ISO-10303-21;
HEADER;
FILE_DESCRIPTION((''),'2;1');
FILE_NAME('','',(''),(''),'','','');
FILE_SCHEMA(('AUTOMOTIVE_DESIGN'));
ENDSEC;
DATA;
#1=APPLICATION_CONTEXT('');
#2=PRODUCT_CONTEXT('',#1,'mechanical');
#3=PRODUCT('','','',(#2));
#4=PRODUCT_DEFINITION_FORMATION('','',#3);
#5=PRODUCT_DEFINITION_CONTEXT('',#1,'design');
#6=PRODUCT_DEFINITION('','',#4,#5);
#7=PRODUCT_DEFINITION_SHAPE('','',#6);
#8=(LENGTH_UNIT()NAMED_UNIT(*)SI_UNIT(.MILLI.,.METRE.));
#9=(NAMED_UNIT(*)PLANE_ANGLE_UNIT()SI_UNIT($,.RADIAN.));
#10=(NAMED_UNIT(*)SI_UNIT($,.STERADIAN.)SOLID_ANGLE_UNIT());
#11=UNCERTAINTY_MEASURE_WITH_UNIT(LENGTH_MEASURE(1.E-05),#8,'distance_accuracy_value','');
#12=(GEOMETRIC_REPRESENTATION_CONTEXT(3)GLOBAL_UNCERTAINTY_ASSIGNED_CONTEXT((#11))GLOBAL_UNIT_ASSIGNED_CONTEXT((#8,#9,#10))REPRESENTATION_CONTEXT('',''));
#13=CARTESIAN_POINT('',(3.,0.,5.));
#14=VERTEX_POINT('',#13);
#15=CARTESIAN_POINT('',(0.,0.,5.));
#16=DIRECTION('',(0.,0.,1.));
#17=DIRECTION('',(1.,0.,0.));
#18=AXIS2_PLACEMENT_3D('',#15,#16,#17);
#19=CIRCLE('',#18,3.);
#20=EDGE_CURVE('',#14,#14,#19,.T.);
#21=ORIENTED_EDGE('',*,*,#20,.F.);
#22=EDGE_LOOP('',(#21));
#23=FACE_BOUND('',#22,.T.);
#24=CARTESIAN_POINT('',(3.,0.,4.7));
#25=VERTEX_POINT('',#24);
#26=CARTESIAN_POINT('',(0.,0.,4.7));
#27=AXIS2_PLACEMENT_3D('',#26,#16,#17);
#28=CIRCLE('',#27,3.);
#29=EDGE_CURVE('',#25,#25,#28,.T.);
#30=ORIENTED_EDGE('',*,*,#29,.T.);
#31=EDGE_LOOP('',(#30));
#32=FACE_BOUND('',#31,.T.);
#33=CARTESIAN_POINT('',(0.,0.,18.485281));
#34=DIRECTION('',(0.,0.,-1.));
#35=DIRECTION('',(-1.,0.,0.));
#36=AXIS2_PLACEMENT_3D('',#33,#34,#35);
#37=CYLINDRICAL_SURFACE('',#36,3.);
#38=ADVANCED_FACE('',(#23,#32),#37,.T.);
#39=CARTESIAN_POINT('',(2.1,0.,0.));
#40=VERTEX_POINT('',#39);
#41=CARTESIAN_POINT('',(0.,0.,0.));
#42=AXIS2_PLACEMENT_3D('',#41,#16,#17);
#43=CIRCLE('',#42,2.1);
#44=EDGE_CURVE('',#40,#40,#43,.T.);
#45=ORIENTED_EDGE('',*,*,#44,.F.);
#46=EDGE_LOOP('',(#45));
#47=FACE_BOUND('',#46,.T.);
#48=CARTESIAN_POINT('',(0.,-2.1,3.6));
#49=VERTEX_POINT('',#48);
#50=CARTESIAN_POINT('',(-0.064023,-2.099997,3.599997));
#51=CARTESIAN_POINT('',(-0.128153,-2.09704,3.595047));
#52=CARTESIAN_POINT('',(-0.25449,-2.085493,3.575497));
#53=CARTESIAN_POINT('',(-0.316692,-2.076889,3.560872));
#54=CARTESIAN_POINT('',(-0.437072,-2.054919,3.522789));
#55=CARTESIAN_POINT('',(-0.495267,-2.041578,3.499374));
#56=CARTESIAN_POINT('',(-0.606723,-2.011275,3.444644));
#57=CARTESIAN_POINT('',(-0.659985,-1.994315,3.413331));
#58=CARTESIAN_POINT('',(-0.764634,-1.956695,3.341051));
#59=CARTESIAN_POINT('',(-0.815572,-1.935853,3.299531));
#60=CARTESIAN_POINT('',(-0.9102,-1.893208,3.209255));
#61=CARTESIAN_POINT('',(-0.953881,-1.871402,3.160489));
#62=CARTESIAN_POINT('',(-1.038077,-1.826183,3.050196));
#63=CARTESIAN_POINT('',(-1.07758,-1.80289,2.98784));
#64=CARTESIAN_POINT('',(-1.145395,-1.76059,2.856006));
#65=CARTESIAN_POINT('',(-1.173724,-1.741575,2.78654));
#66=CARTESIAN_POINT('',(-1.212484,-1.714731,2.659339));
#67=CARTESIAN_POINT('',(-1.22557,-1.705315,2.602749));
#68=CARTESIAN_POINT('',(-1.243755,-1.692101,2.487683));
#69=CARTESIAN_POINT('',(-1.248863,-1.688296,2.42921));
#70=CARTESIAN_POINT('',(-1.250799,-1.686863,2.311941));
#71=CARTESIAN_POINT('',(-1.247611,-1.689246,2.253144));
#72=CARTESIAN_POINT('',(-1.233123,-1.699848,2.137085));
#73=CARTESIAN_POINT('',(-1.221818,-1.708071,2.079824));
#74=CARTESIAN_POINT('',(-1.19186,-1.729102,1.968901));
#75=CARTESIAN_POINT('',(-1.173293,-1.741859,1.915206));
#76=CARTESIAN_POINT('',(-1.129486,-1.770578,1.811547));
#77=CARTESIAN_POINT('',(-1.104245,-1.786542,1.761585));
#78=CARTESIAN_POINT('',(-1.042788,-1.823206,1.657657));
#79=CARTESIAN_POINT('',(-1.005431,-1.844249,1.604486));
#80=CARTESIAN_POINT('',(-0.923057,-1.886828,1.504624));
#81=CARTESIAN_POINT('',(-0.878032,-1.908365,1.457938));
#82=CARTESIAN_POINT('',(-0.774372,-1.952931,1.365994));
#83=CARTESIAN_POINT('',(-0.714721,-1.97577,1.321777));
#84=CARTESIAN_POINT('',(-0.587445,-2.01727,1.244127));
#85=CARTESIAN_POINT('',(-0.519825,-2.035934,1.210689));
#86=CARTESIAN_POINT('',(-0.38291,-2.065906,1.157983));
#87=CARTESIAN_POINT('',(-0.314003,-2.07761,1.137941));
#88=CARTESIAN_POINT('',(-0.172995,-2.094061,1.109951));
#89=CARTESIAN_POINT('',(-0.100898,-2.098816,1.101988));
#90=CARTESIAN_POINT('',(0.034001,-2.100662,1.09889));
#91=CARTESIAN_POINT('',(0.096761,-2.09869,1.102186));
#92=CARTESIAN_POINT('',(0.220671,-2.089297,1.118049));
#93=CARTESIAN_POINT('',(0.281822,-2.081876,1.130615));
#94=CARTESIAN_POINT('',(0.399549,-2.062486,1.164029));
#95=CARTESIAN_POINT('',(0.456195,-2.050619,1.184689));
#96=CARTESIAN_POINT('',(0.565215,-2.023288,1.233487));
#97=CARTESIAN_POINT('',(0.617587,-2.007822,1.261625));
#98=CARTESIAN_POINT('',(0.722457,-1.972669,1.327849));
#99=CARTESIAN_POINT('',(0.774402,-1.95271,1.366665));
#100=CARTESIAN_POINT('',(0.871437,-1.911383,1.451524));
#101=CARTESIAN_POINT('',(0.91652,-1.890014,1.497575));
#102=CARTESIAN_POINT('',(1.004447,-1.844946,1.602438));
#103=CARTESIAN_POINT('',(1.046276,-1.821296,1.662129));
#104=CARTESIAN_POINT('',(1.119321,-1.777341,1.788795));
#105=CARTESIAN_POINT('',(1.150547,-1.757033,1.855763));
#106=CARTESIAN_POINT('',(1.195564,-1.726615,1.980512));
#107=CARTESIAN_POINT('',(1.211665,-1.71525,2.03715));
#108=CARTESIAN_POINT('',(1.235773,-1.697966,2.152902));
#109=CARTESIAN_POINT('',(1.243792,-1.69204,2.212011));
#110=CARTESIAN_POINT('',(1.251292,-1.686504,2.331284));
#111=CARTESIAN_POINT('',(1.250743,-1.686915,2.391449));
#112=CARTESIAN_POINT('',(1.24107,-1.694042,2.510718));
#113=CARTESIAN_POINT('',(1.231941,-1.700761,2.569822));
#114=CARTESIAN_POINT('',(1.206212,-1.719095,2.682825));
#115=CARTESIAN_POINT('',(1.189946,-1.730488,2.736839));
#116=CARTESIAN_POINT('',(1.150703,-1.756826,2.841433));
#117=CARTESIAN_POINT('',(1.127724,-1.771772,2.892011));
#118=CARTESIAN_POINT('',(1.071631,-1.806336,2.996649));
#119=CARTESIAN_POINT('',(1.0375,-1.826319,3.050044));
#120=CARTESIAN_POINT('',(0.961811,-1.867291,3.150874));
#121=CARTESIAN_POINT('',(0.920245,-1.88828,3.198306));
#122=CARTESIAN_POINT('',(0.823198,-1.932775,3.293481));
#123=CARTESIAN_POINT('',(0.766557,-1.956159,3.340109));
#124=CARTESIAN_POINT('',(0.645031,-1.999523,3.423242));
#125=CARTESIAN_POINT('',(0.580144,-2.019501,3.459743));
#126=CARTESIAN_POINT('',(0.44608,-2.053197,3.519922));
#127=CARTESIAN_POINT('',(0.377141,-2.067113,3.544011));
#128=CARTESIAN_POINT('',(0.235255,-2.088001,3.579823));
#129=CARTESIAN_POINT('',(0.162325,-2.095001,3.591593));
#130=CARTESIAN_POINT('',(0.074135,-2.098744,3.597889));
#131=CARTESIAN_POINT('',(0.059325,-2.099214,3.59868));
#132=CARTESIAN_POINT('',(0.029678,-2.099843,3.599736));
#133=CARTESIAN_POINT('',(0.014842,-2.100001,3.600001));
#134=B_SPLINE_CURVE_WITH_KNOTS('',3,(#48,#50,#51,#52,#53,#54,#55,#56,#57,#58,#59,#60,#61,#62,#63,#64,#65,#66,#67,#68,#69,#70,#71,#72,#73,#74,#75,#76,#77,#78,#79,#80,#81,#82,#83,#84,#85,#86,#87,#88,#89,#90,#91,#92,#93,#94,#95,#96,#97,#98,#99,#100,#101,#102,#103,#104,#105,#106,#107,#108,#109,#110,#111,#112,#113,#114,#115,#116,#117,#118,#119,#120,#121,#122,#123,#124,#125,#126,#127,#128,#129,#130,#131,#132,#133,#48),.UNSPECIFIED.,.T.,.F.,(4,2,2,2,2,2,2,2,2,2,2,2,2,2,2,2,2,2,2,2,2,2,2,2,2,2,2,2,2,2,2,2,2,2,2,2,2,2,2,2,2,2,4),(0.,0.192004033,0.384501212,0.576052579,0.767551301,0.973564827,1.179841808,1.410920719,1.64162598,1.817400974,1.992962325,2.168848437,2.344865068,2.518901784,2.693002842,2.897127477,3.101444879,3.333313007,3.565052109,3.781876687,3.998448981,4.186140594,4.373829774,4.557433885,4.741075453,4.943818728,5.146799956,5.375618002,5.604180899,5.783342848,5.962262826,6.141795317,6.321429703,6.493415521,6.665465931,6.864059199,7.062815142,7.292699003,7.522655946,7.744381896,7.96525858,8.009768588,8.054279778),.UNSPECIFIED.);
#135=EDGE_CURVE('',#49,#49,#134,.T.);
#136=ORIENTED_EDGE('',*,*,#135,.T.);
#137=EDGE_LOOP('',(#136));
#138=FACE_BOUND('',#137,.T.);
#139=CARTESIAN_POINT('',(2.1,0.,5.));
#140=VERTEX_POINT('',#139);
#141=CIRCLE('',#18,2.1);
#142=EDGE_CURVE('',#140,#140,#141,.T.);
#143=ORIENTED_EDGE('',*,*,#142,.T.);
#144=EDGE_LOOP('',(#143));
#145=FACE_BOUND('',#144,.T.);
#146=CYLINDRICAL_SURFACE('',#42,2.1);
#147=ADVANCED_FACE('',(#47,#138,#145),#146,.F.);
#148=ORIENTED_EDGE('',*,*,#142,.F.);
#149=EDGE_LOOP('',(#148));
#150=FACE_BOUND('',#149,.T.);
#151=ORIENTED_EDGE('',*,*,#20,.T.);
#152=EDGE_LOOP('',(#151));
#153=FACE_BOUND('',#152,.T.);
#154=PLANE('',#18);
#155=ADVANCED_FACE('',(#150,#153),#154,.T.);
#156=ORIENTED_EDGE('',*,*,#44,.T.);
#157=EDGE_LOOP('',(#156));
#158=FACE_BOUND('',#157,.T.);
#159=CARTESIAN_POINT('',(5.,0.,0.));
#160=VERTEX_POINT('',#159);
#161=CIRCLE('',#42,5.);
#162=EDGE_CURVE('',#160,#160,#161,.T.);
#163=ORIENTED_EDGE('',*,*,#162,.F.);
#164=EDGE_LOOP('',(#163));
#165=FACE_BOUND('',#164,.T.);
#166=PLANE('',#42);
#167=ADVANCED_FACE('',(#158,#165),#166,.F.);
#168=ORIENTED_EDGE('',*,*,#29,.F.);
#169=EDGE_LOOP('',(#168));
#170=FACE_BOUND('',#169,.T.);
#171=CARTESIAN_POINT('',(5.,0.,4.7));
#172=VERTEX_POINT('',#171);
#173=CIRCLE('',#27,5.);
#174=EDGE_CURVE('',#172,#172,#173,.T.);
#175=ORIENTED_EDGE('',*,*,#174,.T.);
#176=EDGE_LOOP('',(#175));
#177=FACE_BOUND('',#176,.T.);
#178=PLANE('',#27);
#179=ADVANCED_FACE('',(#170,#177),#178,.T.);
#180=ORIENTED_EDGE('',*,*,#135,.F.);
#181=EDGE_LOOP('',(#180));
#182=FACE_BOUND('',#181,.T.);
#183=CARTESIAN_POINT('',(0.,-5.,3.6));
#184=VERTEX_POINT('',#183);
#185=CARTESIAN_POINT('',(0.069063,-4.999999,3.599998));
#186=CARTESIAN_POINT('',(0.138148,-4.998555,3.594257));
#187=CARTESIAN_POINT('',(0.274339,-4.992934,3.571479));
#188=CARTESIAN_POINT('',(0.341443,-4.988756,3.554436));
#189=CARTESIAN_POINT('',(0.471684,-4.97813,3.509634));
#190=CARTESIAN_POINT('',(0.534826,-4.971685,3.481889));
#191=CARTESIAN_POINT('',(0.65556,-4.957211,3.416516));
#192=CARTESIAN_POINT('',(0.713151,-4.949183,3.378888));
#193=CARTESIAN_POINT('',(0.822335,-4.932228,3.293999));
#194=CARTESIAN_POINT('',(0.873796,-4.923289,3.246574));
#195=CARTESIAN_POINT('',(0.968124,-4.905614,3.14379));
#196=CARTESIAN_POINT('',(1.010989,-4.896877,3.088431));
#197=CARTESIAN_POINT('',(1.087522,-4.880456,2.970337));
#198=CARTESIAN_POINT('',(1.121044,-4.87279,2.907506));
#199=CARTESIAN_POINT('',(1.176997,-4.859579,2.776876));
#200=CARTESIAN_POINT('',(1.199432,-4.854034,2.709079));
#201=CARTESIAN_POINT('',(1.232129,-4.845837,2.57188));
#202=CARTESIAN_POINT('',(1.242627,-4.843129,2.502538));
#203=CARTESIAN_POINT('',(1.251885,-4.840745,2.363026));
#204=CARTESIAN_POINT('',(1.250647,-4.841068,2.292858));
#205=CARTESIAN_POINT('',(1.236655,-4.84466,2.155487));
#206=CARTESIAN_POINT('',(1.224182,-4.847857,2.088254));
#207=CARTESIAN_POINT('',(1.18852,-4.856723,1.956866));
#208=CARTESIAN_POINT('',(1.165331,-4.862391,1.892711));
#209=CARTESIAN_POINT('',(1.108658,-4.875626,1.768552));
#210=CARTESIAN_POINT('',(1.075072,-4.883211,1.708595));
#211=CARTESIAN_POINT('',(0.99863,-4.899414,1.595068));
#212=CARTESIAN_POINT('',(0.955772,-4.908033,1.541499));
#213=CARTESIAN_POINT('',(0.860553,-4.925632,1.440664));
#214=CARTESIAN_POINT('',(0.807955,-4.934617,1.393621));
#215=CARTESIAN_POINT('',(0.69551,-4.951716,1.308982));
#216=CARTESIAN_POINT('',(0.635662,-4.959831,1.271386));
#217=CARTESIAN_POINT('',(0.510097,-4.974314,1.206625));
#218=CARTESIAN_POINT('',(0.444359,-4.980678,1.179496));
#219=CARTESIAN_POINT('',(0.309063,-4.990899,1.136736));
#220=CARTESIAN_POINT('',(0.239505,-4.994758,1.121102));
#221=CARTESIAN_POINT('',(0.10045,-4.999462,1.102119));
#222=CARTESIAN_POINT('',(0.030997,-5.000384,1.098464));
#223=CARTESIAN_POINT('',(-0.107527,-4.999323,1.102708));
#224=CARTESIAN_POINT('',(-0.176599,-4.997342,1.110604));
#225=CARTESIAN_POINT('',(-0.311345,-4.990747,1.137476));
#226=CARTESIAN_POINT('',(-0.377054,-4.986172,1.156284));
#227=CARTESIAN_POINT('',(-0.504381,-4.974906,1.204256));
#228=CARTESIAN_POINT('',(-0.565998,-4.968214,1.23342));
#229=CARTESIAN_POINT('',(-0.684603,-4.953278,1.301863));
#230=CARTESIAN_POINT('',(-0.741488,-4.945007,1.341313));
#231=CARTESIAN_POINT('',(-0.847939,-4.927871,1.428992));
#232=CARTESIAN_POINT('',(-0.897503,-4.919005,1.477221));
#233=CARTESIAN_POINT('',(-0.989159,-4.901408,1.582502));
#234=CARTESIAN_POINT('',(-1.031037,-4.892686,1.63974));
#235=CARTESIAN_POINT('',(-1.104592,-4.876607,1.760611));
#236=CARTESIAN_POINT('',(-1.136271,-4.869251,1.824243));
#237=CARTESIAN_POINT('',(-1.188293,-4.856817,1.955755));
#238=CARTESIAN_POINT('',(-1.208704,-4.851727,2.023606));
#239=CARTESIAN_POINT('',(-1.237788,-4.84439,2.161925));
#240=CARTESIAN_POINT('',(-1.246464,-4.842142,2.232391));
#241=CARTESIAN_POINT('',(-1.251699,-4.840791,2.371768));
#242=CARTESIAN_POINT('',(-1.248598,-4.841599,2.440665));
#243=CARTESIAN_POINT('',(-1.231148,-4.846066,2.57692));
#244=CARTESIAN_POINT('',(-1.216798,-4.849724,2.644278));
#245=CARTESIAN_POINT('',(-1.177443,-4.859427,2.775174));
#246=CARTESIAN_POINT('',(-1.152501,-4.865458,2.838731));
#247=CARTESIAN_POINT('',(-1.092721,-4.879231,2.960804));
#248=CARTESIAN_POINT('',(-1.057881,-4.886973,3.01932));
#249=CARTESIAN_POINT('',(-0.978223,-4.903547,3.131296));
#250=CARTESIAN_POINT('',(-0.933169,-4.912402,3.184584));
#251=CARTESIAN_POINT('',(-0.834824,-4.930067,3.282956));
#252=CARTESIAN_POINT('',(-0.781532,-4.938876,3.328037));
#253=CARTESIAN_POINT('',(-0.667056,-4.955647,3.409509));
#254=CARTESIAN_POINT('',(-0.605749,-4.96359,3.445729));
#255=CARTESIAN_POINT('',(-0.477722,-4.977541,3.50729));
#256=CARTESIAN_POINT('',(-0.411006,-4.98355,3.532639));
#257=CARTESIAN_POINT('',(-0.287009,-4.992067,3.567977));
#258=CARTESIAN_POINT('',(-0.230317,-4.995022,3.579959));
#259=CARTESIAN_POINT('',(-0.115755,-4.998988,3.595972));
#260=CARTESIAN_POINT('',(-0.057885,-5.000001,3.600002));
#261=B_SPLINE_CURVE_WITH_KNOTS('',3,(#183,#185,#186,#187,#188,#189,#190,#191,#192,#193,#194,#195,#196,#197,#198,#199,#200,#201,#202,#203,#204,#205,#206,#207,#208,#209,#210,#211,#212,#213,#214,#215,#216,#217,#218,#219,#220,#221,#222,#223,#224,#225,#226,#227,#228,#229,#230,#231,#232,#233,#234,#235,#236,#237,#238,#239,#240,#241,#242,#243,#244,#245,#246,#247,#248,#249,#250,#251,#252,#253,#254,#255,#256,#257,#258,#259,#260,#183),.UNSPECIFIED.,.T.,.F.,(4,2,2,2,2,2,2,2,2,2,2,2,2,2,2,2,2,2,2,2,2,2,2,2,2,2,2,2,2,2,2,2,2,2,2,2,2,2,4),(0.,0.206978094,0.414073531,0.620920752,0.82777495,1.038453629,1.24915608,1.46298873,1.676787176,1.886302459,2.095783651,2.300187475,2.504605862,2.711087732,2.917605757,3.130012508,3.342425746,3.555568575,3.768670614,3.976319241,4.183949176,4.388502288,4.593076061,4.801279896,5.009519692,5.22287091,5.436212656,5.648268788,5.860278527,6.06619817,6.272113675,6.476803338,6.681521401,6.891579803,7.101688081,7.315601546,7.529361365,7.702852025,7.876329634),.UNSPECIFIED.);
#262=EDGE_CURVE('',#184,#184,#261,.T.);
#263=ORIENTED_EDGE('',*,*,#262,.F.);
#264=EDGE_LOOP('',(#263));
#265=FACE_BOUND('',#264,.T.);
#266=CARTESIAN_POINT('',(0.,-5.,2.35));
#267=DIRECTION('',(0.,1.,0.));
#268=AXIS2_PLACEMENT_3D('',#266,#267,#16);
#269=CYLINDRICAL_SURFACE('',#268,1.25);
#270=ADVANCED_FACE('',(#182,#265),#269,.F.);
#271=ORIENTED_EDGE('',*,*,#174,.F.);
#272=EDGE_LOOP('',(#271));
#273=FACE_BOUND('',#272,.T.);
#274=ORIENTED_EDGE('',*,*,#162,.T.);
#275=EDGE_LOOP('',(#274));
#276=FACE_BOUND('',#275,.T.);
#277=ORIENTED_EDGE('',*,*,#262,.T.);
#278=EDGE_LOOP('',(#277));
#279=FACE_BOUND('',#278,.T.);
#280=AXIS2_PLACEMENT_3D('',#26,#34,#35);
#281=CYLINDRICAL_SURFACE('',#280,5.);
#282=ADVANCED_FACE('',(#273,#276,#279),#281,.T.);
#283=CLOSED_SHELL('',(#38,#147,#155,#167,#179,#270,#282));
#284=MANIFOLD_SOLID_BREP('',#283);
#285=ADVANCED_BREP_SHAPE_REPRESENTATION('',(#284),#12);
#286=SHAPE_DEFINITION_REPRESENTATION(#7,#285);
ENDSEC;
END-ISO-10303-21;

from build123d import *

# Parameters (mm, degrees)
ESQUISSE1_R             = 5
BOSS_EXTRU_1_DEPTH      = 4.7
ESQUISSE2_R             = 3
BOSS_EXTRU_3_DEPTH      = 0.3
ESQUISSE3_R             = 2.1
ENL_V_MAT_EXTRU_1_DEPTH = 9.660254038
ESQUISSE4_R             = 1.25
ENL_V_MAT_EXTRU_2_DEPTH = 9.660254038


with BuildPart() as part:
    # Esquisse1 → Boss.-Extru.1 (new body)
    with BuildSketch(Plane.XY):
        Circle(ESQUISSE1_R)
    extrude(amount=BOSS_EXTRU_1_DEPTH)

    # Esquisse2 → Boss.-Extru.3 (add)
    with BuildSketch(Plane.XY.offset(4.7)):
        Circle(ESQUISSE2_R)
    extrude(amount=BOSS_EXTRU_3_DEPTH)

    # Esquisse3 → Enlèv. mat.-Extru.1 (cut, through all)
    with BuildSketch(Plane.XY.offset(5)):
        Circle(ESQUISSE3_R)
    extrude(amount=-ENL_V_MAT_EXTRU_1_DEPTH, mode=Mode.SUBTRACT)

    # Esquisse4 → Enlèv. mat.-Extru.2 (cut, through all)
    with BuildSketch(Plane(origin=(0, 0, 0), x_dir=(1, 0, 0), z_dir=(0, 1, 0))):
        with Locations(Location((0, -2.35, 0), (0, 0, 270))):
            Circle(ESQUISSE4_R)
    extrude(amount=-ENL_V_MAT_EXTRU_2_DEPTH, mode=Mode.SUBTRACT)


solid = part.part
